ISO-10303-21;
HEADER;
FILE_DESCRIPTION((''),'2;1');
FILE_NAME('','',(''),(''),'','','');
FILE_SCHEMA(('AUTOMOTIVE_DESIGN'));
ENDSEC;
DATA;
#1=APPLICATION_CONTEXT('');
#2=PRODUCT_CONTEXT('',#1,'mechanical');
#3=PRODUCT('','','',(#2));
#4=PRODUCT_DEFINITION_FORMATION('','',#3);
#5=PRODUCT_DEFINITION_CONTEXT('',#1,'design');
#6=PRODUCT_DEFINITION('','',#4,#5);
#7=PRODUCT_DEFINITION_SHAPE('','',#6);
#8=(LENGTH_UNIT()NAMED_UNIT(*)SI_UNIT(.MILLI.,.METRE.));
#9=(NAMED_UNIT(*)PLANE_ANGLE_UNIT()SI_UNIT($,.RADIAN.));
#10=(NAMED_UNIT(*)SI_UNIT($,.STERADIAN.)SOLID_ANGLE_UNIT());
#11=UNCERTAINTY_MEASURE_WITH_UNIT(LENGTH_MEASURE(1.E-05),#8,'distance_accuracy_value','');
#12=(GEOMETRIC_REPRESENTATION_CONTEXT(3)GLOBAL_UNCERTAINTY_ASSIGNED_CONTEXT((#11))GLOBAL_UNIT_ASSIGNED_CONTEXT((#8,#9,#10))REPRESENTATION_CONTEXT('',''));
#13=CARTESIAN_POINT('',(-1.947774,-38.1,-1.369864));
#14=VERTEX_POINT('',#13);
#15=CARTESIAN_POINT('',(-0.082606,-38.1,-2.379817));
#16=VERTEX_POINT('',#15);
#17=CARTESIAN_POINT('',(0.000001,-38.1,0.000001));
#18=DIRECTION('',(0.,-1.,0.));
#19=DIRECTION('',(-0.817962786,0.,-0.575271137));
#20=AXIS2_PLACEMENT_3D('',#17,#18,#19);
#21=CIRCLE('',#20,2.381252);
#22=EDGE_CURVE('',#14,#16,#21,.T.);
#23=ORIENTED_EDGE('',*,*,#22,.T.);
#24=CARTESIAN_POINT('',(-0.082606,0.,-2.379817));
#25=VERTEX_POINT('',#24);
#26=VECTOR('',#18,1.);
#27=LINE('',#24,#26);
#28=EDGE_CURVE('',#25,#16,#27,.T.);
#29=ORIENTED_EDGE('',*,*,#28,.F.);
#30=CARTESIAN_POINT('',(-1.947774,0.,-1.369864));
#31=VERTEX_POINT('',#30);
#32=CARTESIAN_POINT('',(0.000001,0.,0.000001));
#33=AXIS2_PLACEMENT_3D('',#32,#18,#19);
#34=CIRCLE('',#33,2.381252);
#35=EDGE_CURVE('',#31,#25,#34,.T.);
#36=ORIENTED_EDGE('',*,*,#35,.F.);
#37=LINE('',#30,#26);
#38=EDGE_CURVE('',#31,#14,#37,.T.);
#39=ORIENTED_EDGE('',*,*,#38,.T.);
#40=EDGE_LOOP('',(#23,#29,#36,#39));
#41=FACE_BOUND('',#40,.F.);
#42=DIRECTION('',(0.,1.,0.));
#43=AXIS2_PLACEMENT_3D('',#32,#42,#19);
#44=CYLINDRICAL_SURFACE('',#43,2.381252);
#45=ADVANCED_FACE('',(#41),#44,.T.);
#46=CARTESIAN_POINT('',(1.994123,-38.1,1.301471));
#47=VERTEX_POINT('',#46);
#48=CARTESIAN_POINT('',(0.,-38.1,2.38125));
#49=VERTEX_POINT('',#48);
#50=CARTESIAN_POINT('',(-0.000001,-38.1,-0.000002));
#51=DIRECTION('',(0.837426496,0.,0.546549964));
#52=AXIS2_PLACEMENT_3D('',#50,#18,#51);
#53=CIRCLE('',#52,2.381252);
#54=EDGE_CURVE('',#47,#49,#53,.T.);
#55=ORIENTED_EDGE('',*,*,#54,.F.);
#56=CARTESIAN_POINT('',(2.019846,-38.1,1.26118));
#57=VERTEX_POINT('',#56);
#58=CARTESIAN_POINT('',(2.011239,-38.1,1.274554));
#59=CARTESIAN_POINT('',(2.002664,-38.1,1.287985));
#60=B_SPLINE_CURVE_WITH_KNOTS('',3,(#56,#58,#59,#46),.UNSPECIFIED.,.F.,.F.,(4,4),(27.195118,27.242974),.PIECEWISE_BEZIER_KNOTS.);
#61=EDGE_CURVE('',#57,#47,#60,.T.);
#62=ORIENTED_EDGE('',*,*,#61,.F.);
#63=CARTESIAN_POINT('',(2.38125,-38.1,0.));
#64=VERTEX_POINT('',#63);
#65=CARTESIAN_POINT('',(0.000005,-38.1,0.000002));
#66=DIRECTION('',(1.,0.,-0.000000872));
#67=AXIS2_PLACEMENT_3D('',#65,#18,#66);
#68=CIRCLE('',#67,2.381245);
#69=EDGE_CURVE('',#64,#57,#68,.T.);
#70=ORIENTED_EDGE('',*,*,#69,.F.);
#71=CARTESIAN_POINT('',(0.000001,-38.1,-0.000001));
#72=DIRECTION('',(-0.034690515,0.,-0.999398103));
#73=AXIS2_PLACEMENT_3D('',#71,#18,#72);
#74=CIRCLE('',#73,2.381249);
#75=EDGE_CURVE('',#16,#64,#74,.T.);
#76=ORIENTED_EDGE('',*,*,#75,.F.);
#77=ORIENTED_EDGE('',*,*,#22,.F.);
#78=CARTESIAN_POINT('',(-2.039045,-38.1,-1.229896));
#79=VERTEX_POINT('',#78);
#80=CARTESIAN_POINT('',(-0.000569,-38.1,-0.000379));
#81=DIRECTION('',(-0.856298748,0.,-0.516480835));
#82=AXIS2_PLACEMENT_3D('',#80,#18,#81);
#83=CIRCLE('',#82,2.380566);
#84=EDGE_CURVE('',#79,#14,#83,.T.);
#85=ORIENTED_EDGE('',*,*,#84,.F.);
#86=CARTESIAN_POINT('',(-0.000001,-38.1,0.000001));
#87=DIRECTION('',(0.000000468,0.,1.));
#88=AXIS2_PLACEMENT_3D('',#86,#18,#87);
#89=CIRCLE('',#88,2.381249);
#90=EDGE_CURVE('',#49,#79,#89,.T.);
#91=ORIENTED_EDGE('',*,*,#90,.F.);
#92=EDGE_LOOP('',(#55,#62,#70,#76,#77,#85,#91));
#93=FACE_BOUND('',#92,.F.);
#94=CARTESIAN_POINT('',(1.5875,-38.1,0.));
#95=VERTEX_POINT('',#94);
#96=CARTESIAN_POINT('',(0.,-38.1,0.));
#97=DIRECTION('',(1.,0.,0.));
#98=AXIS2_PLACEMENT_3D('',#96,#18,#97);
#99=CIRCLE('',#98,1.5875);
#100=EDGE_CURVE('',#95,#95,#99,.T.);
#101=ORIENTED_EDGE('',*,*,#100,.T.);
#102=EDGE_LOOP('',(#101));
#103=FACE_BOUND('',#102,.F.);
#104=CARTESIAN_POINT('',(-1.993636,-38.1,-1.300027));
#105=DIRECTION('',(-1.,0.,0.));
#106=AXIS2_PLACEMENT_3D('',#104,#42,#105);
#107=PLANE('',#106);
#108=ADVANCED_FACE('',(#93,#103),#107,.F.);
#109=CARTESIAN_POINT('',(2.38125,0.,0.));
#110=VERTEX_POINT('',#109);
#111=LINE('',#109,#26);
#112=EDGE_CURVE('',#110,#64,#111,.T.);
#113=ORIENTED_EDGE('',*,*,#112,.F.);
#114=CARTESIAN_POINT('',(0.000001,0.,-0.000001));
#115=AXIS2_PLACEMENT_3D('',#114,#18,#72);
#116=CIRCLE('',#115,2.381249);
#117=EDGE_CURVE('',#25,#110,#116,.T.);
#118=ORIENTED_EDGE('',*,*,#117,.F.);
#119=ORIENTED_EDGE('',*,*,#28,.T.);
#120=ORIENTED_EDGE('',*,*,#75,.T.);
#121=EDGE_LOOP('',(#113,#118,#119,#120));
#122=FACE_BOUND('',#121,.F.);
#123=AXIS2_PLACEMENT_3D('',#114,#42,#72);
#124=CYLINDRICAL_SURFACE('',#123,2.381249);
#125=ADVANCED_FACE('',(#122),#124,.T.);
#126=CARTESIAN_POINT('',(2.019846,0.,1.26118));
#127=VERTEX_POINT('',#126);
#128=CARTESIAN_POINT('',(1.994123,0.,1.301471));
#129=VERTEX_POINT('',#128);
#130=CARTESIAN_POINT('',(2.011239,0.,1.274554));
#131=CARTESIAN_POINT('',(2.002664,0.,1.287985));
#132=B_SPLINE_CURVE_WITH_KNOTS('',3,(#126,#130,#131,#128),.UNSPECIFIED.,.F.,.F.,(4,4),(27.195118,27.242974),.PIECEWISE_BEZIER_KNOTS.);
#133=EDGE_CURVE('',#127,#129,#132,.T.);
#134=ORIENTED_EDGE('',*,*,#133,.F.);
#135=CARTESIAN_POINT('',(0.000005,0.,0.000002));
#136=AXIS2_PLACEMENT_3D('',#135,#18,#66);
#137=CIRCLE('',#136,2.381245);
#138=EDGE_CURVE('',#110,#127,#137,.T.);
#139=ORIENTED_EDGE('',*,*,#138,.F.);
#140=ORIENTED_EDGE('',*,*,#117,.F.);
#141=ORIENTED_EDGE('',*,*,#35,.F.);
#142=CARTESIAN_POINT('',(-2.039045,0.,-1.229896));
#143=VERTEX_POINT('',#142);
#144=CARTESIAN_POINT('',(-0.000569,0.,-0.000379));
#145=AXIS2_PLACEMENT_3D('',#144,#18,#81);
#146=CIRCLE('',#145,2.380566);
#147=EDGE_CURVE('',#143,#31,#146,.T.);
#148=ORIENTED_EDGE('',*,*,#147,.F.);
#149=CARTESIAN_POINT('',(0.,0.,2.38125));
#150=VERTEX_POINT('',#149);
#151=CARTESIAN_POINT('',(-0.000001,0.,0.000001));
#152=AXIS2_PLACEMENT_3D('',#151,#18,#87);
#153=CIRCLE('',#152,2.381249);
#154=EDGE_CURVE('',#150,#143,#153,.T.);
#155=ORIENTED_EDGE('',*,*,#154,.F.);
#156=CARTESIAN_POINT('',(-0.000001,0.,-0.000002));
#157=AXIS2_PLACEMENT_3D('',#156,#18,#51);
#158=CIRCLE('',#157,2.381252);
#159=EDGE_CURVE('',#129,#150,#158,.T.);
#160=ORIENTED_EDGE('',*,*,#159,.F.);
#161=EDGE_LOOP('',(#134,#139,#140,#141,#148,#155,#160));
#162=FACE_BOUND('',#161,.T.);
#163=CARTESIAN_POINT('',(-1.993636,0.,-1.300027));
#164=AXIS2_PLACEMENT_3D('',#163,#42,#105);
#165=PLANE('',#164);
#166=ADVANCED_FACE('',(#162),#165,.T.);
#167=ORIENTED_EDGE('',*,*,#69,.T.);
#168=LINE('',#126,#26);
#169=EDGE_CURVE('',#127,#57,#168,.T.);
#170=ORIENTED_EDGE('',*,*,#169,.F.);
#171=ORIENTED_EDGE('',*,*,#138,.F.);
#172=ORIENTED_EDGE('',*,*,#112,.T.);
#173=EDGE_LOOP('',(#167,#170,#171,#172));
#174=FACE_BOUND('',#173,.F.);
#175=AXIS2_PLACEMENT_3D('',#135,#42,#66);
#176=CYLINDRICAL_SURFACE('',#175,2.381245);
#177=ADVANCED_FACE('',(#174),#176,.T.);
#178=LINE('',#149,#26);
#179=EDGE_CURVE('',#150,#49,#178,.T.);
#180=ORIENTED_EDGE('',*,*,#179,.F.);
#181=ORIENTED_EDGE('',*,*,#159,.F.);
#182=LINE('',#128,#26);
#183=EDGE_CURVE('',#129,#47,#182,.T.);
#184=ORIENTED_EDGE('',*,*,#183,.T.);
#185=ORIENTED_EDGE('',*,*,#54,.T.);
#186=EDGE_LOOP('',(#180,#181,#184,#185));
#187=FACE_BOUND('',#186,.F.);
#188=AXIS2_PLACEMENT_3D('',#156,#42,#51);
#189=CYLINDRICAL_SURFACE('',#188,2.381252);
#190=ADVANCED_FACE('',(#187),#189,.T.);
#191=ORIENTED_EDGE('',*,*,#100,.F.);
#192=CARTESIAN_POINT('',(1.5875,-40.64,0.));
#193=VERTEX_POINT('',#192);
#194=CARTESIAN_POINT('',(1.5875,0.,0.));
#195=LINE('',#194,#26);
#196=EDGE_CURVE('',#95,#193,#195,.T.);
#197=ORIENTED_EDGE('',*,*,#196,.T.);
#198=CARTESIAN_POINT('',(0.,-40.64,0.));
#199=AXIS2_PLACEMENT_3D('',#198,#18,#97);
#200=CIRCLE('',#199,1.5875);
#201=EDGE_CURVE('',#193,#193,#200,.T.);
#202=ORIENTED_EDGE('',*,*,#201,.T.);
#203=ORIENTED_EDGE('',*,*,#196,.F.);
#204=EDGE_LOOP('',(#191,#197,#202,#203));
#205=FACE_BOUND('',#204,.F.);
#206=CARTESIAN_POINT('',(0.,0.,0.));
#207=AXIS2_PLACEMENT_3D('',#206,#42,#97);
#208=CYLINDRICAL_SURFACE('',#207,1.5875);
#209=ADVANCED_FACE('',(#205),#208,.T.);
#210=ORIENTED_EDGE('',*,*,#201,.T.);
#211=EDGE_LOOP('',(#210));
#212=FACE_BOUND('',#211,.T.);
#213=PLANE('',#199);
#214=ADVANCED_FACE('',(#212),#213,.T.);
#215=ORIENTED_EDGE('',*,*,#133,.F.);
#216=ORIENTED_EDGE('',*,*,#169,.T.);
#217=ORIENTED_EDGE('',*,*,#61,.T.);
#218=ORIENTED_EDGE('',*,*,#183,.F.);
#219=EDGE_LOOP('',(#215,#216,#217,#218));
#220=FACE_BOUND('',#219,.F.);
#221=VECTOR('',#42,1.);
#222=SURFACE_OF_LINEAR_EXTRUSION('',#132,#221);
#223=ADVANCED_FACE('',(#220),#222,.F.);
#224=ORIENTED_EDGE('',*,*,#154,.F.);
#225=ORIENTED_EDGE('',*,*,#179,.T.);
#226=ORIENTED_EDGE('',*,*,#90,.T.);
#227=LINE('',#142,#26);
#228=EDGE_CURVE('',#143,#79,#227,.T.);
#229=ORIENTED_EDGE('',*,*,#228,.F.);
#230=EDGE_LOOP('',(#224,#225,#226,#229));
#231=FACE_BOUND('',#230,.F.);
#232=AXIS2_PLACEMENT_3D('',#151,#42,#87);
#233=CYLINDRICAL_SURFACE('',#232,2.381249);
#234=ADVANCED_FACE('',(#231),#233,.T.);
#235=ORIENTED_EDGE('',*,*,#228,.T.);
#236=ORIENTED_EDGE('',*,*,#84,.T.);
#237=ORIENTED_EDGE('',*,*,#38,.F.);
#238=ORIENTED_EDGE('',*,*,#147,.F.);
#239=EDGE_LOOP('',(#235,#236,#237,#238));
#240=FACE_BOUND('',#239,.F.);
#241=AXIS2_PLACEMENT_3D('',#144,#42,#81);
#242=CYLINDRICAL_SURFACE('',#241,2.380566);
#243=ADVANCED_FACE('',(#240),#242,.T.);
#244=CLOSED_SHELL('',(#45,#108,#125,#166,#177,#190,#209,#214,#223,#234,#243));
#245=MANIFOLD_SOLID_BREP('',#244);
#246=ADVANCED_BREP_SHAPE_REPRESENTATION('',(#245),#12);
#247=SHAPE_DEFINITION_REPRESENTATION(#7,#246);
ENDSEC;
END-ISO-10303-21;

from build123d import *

# Parameters (mm, degrees)
F0_R     = 1.5875
F1_DEPTH = 38.1
F2_DEPTH = 40.64


with BuildPart() as f1:
    # F0 (on Front) → F1 (new body)
    with BuildSketch(Plane.XZ):
        with BuildLine():
            add(Edge.make_bspline(
                [(-2.039045, -1.229896), (-2.008193, -1.275858), (-1.977766, -1.322509), (-1.947774, -1.369864)],
                knots=[27.094619, 27.094619, 27.094619, 27.094619, 27.26278, 27.26278, 27.26278, 27.26278], degree=3))
            ThreePointArc((-2.039045, -1.229896), (-1.994638, -1.300681), (-1.947774, -1.369864))
        make_face()
        with BuildLine():
            add(Edge.make_bspline(
                [(2.019846, 1.26118), (2.011239, 1.274554), (2.002664, 1.287985), (1.994123, 1.301471)],
                knots=[27.195118, 27.195118, 27.195118, 27.195118, 27.242974, 27.242974, 27.242974, 27.242974], degree=3))
            ThreePointArc((1.994123, 1.301471), (1.133848, 2.093977), (0, 2.38125))
            ThreePointArc((0, 2.38125), (-2.073529, 1.170825), (-2.039045, -1.229896))
            add(Edge.make_bspline(
                [(-2.039045, -1.229896), (-2.008193, -1.275858), (-1.977766, -1.322509), (-1.947774, -1.369864)],
                knots=[27.094619, 27.094619, 27.094619, 27.094619, 27.26278, 27.26278, 27.26278, 27.26278], degree=3))
            ThreePointArc((-1.947774, -1.369864), (-1.133848, -2.093977), (-0.082606, -2.379817))
            ThreePointArc((-0.082606, -2.379817), (1.654335, -1.712755), (2.38125, 0))
            ThreePointArc((2.38125, 0), (2.289117, 0.65597), (2.019846, 1.26118))
        make_face()
        Circle(F0_R, mode=Mode.SUBTRACT)
    extrude(amount=F1_DEPTH)

    # F0 (on Front) → F2 (join)
    with BuildSketch(Plane.XZ):
        Circle(F0_R)
    extrude(amount=F2_DEPTH)


solid = f1.part
